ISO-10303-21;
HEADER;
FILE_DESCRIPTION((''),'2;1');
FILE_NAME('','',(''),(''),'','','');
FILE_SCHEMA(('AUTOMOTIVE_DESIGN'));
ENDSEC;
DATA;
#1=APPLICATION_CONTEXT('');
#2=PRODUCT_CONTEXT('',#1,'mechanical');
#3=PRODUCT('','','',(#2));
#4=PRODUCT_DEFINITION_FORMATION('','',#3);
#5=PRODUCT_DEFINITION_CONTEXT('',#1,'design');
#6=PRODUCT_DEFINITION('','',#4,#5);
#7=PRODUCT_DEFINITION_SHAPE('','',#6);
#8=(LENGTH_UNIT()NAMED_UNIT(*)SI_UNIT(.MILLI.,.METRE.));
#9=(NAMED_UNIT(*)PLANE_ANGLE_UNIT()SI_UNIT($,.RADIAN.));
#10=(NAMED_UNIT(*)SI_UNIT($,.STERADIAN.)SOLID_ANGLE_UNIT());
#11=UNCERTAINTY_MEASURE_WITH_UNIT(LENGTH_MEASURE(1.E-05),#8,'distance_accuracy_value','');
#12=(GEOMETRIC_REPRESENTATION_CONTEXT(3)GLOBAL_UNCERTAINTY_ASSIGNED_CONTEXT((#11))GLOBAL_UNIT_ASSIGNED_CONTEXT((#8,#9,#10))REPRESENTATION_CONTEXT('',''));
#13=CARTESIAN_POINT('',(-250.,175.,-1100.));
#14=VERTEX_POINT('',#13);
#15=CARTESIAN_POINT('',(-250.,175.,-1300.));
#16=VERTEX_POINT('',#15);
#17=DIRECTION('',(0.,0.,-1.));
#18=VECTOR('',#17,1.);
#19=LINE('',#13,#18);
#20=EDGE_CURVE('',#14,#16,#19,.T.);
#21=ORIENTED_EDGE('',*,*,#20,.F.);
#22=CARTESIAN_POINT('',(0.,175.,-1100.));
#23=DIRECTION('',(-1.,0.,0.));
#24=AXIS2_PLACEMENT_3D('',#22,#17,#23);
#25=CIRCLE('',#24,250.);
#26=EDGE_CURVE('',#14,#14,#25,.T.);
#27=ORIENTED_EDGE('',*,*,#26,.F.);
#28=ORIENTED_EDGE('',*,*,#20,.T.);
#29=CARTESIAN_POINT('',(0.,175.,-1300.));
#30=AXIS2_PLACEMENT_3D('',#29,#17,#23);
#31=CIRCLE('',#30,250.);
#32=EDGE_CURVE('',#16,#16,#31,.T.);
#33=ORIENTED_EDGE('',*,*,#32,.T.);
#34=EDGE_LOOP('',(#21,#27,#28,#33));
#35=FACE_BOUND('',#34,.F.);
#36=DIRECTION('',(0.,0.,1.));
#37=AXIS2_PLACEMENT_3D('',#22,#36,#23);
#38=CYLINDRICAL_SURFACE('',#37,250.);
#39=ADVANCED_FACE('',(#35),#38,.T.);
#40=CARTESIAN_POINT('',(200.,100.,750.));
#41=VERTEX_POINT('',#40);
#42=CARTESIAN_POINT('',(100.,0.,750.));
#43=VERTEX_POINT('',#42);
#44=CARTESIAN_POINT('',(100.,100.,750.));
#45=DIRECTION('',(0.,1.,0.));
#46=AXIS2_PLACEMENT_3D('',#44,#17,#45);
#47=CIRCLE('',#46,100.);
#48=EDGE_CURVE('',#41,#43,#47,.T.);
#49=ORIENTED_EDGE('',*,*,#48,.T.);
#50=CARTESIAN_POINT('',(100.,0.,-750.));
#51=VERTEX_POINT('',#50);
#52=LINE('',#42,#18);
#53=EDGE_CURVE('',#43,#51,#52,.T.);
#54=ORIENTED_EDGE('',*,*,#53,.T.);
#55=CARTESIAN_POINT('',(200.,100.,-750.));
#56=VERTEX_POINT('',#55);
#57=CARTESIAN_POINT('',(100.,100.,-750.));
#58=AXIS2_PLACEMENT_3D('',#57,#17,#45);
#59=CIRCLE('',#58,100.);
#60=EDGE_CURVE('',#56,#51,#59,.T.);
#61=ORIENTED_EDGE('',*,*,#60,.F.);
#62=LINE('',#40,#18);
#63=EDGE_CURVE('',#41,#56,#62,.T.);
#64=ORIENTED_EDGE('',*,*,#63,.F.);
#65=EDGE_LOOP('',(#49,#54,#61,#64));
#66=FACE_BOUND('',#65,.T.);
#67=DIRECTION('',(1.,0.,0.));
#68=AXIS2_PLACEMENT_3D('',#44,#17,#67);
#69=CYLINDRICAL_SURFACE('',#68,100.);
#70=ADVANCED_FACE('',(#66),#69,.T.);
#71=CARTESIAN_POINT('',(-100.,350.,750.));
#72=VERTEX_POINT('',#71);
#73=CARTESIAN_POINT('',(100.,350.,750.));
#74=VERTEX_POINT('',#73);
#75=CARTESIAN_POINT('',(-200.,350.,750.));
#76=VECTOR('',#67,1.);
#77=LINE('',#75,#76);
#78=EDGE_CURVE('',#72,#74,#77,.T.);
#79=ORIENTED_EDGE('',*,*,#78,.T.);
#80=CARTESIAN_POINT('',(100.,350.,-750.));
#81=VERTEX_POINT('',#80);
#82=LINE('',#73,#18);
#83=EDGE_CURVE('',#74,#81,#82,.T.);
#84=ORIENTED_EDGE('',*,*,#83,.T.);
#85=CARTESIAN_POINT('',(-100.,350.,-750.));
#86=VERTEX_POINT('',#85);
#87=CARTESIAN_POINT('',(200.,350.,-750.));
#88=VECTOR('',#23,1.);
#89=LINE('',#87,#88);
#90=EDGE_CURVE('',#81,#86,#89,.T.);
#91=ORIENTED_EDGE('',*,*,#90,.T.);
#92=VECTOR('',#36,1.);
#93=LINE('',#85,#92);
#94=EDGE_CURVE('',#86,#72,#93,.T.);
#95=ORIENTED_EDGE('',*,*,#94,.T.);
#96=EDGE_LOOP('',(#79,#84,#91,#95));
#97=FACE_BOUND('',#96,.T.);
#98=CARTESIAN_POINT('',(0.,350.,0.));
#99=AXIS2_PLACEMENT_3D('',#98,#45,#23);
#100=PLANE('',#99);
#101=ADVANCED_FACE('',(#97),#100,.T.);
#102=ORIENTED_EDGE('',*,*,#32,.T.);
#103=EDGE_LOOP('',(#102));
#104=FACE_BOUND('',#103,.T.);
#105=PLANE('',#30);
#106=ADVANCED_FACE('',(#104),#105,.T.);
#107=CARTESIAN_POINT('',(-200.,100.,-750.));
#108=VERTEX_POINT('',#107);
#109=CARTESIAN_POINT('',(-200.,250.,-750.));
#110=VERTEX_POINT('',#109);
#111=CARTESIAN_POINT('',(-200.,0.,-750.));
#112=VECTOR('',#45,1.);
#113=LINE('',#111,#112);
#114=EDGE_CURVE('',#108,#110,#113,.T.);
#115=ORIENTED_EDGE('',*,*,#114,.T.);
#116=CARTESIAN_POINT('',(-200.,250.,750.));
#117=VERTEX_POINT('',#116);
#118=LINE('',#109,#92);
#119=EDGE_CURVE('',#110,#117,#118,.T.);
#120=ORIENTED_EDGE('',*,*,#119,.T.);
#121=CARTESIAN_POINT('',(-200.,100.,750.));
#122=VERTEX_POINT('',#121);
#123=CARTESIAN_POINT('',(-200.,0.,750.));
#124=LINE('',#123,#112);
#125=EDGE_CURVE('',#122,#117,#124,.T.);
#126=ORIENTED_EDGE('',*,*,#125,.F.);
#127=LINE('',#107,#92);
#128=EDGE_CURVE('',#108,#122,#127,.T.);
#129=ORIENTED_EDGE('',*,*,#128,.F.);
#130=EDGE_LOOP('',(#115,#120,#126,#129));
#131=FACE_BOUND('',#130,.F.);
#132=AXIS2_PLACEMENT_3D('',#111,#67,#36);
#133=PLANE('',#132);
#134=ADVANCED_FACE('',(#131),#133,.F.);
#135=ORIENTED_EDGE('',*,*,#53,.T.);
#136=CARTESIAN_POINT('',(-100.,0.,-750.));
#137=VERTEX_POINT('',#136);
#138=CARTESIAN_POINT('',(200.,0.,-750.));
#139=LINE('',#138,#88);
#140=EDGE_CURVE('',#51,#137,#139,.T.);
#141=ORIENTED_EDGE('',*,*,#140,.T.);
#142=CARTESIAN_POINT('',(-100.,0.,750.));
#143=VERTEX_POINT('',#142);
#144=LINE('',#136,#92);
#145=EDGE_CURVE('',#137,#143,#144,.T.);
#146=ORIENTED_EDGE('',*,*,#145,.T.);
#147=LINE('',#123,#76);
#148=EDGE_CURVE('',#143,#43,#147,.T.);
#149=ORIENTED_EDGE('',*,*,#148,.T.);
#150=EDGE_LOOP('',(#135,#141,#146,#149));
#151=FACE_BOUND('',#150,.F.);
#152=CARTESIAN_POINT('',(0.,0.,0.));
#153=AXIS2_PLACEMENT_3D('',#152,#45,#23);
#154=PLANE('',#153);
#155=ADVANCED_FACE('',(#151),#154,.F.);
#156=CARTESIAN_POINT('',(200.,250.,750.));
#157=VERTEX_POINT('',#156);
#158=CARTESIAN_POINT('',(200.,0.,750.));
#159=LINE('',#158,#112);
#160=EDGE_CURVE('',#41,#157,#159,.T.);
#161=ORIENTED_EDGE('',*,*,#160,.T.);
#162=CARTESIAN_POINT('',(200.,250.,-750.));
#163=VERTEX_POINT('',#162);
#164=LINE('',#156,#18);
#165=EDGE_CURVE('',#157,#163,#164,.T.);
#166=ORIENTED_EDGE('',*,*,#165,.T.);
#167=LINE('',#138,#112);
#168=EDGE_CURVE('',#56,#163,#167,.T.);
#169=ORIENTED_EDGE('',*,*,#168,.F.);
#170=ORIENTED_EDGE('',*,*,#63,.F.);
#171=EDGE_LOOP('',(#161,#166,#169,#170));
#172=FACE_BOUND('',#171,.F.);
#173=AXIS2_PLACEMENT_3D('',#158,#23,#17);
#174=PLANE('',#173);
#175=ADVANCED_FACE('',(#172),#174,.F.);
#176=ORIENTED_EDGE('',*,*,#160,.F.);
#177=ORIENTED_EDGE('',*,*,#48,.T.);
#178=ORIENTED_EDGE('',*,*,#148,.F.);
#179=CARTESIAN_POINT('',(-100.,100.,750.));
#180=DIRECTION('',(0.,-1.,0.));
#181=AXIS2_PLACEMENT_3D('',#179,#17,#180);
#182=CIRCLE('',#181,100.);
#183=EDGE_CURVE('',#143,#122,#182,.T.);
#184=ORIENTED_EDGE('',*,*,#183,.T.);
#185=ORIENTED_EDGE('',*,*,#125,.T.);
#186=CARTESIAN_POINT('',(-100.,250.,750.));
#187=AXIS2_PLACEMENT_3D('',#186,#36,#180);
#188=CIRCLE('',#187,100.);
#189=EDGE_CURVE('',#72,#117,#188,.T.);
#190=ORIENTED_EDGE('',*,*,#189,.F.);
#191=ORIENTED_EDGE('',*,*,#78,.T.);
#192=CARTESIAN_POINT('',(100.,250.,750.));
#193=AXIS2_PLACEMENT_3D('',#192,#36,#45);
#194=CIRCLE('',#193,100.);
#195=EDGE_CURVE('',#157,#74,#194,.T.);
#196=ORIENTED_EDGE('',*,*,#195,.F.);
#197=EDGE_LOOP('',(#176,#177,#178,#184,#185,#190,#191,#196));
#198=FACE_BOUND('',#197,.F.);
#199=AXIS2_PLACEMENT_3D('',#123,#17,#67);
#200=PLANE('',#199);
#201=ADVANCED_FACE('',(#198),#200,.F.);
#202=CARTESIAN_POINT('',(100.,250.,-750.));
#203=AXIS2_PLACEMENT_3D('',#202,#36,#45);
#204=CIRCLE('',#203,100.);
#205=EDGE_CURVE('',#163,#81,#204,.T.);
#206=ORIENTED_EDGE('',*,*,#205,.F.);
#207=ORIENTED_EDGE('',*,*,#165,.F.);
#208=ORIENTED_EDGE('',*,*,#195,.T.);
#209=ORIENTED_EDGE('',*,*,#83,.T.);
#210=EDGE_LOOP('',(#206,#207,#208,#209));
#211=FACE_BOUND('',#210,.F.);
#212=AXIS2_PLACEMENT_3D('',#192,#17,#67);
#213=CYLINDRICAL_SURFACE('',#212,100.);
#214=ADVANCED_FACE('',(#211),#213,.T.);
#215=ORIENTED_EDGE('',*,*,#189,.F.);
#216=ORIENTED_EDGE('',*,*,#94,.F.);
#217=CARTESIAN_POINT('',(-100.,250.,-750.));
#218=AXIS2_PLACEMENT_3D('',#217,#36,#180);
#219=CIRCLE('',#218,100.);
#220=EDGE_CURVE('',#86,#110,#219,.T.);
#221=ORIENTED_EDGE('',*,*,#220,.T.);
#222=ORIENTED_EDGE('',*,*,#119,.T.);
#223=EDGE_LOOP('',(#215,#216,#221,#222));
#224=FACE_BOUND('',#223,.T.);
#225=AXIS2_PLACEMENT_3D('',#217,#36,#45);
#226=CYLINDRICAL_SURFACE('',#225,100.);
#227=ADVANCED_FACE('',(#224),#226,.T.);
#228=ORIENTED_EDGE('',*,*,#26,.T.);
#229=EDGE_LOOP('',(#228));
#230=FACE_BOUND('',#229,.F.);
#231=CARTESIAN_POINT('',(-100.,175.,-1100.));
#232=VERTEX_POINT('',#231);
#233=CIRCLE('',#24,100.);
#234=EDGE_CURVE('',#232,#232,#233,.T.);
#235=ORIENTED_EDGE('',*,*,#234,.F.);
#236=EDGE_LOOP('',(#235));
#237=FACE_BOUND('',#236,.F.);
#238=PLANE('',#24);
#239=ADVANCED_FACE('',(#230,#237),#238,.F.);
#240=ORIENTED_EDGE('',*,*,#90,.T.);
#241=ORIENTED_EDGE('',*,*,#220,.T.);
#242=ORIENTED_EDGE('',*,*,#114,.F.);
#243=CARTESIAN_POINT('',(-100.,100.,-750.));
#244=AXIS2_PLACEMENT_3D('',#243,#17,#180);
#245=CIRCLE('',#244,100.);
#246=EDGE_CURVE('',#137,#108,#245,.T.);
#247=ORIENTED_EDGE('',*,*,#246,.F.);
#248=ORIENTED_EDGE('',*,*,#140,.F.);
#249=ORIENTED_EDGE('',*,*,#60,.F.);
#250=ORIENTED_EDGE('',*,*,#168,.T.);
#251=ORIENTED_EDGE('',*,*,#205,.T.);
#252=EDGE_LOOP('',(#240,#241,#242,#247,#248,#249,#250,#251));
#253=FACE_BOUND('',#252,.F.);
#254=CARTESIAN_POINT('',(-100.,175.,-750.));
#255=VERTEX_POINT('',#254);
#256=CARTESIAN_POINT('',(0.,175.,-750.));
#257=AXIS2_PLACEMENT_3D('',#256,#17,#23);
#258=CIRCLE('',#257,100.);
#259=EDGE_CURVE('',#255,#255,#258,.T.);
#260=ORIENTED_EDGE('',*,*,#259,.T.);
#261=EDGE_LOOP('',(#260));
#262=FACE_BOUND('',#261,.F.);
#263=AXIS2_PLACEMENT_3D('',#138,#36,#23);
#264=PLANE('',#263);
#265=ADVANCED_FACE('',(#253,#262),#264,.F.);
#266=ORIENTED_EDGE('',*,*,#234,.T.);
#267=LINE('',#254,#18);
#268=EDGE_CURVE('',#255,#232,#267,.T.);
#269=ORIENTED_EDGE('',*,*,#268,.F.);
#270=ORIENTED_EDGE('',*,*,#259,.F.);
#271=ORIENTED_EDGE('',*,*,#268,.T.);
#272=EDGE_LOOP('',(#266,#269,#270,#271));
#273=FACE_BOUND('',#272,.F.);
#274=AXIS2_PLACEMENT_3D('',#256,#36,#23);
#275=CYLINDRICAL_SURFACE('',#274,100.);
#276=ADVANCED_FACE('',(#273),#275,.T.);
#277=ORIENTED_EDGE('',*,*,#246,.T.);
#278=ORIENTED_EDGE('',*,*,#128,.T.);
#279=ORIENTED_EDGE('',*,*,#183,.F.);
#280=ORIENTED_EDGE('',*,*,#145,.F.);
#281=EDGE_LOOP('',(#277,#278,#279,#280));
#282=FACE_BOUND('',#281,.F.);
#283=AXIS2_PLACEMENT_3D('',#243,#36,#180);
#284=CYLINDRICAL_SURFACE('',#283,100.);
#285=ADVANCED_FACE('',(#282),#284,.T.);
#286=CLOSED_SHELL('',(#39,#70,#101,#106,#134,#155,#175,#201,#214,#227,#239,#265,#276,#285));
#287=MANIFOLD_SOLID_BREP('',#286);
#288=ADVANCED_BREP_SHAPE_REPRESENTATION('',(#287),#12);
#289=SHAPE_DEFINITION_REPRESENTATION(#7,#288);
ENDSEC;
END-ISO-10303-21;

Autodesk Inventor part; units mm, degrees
ref_plane "YZ Plane" through (0, 0, 0) normal (1, 0, 0) x (0, 1, 0)
ref_plane "XZ Plane" through (0, 0, 0) normal (0, 1, 0) x (-1, 0, 0)
ref_plane "XY Plane" through (0, 0, 0) normal (0, 0, 1) x (1, 0, 0)
sketch "Sketch1" plane through (0, 0, 0) normal (0, 1, 0) x (-1, 0, 0)
  line L0 (200, 750) -> (-200, 750)
  line L1 (-200, 750) -> (-200, -750)
  line L2 (-200, -750) -> (200, -750)
  line L3 (200, -750) -> (200, 750)
  line L4 (200, 0) -> (-200, 0) construction
  line L5 (0, -750) -> (0, 750) construction
  point P0 (0, 0)
  point P1 (0, 0)
  dimension "d0" = 1500
  dimension "d1" = 400
extrude "Extrusion1" add sketch "Sketch1" along normal blind 350
sketch "Sketch2" plane through (200, 0, -750) normal (0, 0, -1) x (-1, 0, 0)
  line L0 (200, 0) -> (200, 350) construction
  line L1 (400, 350) -> (0, 350) construction
  line L2 (400, 0) -> (400, 350) construction
  line L3 (400, 175) -> (0, 175) construction
  line L4 (0, 0) -> (0, 350) construction
  circle A0 centre (200, 175) radius 100
  dimension "d4" = 200
extrude "Extrusion2" add sketch "Sketch2" along normal blind 350
sketch "Sketch3" plane through (0, 175, -1100) normal (0, 0, -1) x (-1, 0, 0)
  line L0 (-200, 175) -> (200, 175) construction
  line L1 (0, 175) -> (0, -175) construction
  circle A0 centre (0, 0) radius 100 construction
  circle A1 centre (0, 0) radius 250
  dimension "d7" = 500
extrude "Extrusion3" add sketch "Sketch3" along normal blind 200
fillet "Fillet1" radius 100 4 edges at (200, 350, 0) (-200, 350, 0) (200, 0, 0) (-200, 0, 0)
properties part number "car suspension wheel joint"
